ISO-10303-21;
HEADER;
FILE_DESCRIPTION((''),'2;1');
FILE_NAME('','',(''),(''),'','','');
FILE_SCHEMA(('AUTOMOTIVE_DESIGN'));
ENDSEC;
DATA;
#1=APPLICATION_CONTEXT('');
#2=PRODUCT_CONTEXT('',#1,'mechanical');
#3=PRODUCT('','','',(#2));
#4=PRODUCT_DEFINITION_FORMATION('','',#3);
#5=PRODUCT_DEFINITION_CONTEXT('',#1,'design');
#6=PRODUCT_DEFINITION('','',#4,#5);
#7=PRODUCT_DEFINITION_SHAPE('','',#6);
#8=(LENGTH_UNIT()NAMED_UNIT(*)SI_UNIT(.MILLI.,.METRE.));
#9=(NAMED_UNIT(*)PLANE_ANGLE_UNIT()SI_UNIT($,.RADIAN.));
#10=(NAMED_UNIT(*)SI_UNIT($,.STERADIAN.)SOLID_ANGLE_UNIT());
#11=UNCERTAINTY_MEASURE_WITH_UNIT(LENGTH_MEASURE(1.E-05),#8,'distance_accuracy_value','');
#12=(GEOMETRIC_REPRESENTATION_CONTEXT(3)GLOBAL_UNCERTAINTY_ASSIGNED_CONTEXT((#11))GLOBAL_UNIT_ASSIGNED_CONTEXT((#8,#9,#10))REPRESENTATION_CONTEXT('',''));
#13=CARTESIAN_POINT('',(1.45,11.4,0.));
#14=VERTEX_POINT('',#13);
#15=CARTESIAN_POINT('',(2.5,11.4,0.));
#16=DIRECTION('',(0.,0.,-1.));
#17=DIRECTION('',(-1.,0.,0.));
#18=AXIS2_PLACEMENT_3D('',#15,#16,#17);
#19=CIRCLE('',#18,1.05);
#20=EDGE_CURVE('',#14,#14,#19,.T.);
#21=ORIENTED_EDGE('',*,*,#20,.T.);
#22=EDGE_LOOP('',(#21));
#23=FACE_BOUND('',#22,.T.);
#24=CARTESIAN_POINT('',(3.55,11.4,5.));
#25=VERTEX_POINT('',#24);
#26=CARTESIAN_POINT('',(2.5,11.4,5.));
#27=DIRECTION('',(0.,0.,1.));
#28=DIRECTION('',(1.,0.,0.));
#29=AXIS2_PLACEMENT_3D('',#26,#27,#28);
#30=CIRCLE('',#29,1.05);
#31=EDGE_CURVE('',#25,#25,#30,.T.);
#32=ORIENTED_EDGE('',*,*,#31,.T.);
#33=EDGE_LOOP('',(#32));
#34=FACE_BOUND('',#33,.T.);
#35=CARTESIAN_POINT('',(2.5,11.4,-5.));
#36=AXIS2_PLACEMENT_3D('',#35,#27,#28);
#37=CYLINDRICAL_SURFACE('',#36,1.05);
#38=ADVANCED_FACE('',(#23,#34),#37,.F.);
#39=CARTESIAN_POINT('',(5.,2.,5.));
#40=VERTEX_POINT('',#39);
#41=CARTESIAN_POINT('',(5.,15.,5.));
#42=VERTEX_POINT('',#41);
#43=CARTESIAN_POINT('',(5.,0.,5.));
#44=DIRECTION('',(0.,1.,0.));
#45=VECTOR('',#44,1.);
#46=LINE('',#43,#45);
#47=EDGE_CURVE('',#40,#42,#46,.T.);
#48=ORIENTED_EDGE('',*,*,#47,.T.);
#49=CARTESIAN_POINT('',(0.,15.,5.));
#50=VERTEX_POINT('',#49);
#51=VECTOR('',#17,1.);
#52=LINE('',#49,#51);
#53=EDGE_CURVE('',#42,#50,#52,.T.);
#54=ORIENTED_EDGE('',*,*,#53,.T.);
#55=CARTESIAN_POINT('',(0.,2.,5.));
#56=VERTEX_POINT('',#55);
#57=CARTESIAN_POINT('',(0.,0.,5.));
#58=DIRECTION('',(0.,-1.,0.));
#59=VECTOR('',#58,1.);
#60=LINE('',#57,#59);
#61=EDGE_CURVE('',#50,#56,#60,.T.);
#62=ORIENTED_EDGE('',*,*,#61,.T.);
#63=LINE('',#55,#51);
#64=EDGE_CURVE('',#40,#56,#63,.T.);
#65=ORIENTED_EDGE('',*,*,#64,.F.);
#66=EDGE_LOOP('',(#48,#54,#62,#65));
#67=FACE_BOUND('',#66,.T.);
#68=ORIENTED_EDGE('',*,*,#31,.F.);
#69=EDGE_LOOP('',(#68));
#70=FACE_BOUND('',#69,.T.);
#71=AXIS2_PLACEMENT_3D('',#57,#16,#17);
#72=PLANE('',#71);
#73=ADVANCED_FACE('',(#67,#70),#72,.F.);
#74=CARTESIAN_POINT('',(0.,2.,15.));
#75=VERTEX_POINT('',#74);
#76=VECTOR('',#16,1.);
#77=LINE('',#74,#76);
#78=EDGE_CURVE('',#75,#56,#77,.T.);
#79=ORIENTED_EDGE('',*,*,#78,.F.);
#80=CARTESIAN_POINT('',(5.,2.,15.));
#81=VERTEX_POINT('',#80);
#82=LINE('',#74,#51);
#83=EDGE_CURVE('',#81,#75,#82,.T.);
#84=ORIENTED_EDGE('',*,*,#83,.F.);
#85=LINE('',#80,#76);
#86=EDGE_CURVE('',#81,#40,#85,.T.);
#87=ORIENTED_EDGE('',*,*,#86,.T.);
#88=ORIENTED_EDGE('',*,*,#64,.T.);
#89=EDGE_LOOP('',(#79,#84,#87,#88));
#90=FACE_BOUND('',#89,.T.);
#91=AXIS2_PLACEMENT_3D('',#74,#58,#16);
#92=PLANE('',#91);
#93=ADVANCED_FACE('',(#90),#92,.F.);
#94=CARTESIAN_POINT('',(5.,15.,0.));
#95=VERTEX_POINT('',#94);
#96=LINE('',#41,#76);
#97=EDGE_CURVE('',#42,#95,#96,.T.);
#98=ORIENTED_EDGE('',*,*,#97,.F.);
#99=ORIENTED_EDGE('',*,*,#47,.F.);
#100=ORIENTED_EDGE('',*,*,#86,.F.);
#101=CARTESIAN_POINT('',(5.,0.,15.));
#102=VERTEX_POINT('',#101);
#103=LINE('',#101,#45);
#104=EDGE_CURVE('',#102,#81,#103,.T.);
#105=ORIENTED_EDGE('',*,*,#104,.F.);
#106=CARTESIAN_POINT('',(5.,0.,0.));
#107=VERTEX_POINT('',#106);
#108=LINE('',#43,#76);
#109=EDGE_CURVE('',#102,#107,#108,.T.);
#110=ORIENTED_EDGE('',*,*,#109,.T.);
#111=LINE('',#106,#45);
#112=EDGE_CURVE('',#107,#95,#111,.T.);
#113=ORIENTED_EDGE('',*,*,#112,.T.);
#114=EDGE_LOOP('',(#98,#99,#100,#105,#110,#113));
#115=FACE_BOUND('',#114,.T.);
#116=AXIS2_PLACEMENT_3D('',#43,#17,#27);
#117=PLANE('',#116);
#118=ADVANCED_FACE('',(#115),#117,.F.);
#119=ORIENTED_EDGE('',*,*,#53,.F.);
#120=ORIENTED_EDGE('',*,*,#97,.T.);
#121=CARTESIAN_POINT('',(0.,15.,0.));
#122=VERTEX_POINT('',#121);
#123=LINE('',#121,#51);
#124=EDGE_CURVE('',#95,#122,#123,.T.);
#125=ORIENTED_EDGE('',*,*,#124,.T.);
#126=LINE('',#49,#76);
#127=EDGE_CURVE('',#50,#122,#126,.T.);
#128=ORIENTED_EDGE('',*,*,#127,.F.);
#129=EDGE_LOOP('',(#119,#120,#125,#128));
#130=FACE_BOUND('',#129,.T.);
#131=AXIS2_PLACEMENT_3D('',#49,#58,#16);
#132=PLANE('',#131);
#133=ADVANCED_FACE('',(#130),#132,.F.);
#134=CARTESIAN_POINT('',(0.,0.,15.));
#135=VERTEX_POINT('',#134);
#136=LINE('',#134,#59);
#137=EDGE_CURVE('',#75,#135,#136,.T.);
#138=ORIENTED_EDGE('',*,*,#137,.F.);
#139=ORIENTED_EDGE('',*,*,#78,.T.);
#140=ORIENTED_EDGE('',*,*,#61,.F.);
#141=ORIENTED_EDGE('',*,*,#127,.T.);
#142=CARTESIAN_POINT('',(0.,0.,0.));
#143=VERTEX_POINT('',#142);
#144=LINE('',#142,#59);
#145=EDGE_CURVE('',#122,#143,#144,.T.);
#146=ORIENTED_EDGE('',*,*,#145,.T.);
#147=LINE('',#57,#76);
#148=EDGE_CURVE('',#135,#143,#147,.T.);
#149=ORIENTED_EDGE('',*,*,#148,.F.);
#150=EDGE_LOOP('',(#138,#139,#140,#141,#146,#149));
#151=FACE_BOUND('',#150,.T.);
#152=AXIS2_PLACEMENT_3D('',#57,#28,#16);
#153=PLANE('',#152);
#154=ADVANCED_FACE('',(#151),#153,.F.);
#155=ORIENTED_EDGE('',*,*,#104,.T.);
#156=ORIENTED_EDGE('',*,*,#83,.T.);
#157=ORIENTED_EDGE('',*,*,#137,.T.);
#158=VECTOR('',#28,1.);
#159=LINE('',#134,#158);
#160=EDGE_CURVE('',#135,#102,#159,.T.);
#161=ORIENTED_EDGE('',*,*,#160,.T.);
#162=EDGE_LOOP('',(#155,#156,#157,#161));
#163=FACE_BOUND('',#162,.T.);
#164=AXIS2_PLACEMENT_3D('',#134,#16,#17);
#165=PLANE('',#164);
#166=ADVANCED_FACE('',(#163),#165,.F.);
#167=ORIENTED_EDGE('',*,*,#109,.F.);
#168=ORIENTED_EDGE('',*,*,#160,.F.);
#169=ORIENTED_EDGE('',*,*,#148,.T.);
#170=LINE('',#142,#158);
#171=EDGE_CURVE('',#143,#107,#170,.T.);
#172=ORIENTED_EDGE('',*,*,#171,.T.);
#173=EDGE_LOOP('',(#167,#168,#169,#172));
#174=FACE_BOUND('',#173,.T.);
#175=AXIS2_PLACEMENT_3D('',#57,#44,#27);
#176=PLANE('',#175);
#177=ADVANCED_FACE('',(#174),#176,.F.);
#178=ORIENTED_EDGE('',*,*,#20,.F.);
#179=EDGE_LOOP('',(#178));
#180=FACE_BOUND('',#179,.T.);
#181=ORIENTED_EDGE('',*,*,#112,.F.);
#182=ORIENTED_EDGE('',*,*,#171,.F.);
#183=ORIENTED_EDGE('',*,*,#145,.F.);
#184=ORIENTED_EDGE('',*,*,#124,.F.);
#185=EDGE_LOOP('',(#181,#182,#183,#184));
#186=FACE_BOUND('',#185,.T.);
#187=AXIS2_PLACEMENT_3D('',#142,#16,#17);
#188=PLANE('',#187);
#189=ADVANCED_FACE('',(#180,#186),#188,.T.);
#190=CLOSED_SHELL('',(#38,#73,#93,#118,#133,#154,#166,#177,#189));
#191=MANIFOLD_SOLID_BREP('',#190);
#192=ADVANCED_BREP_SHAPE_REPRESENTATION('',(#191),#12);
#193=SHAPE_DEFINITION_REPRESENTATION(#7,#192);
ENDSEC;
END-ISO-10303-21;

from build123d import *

# Parameters (mm, degrees)
SKETCH1_W           = 5
SKETCH1_H           = 15
BOSS_EXTRUDE1_DEPTH = 5
SKETCH2_W           = 5
SKETCH2_H           = 2
BOSS_EXTRUDE2_DEPTH = 10
SKETCH3_R           = 1.05
CUT_EXTRUDE1_DEPTH  = 10


with BuildPart() as part:
    # Sketch1 → Boss-Extrude1 (new body)
    with BuildSketch(Plane.XY):
        with Locations((2.5, 7.5)):
            Rectangle(SKETCH1_W, SKETCH1_H)
    extrude(amount=BOSS_EXTRUDE1_DEPTH)

    # Sketch2 → Boss-Extrude2 (add)
    with BuildSketch(Plane.XY.offset(5)):
        with Locations((2.5, 1)):
            Rectangle(SKETCH2_W, SKETCH2_H)
    extrude(amount=BOSS_EXTRUDE2_DEPTH)

    # Sketch3 → Cut-Extrude1 (cut)
    with BuildSketch(Plane.XY.offset(5)):
        with Locations((2.5, 11.4)):
            Circle(SKETCH3_R)
    extrude(amount=-CUT_EXTRUDE1_DEPTH, mode=Mode.SUBTRACT)


solid = part.part
